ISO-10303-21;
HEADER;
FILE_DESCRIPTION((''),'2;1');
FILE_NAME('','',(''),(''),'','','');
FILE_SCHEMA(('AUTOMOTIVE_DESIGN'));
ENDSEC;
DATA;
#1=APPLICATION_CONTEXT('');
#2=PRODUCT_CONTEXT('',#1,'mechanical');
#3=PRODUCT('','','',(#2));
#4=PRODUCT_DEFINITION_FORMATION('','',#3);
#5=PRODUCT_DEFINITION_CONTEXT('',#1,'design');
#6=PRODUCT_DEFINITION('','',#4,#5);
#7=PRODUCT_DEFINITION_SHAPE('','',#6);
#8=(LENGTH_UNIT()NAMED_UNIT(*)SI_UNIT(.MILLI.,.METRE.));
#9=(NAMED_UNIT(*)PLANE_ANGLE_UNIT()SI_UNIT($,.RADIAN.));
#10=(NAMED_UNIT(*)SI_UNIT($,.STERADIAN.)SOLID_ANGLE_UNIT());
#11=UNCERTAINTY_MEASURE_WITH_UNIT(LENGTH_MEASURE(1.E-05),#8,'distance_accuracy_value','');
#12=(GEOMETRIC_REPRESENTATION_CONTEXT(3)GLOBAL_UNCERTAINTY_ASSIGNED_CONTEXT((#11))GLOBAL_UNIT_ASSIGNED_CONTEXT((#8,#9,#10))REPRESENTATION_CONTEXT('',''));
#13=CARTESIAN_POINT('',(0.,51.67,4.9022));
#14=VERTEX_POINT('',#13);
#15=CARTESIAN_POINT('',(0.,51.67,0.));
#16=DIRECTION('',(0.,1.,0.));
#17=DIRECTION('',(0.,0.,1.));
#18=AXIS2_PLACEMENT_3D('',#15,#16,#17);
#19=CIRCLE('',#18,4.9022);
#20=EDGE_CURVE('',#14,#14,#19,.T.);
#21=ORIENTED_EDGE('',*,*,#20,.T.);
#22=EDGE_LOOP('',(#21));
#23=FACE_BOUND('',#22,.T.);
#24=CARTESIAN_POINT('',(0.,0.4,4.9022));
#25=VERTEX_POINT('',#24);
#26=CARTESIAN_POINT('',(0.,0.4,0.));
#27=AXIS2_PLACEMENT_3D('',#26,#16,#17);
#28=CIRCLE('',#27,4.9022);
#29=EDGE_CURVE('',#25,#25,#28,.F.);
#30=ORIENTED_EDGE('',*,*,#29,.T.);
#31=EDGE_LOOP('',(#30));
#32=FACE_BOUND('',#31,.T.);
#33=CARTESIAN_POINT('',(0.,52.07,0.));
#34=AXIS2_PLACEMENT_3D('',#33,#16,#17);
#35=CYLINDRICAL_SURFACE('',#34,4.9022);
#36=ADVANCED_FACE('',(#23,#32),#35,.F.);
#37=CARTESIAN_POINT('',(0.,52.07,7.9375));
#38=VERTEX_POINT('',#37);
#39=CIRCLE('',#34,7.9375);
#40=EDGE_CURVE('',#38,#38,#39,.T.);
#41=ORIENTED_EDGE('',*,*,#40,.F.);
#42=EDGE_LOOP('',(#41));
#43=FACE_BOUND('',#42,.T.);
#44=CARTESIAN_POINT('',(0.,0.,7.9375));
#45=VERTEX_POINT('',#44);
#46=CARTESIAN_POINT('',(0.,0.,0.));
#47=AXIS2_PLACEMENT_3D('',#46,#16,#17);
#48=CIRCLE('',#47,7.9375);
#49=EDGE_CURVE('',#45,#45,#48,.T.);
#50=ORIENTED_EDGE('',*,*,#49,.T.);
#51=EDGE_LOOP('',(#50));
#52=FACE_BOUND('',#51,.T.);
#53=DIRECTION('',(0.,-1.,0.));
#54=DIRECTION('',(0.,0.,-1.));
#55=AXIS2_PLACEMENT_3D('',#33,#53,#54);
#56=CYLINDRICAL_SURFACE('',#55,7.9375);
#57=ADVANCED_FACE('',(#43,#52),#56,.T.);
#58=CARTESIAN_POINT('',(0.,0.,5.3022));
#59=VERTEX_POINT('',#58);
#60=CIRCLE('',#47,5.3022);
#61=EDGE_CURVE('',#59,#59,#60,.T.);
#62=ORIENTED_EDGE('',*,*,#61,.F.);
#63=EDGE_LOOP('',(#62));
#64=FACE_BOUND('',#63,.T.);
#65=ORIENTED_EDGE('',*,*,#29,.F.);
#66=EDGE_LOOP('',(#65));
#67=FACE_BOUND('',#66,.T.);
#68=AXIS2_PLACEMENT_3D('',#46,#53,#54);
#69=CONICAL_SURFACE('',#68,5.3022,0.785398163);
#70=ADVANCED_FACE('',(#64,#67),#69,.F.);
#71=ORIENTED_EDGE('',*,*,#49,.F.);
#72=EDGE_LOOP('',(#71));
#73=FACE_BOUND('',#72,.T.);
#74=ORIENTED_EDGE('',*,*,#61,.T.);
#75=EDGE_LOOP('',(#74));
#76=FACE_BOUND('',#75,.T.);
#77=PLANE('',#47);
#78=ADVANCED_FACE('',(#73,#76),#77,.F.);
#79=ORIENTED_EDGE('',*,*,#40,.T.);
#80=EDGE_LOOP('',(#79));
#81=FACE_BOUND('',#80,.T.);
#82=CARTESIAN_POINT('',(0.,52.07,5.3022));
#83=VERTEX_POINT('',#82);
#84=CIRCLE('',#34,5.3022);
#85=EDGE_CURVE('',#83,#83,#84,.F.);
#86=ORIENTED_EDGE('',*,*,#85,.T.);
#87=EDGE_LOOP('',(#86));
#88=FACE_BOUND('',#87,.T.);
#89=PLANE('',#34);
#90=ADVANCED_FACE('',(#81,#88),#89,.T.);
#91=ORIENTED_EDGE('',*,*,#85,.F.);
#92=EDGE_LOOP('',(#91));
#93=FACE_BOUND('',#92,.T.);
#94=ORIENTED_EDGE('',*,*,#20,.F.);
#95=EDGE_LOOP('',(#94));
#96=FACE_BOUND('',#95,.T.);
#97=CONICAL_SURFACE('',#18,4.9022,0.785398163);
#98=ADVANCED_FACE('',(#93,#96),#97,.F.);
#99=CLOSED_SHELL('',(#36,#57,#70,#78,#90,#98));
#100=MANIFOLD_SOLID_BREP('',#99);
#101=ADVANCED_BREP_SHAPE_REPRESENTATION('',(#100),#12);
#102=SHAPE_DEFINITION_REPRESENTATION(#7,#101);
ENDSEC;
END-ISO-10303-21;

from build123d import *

# Parameters (mm, degrees)
SKETCH1_R                = 7.9375
BOSS_EXTRUDE1_DEPTH      = 52.07
W_0_386_DIAMETER_HOLE1_D = 9.8044
CHAMFER1_SIZE            = 0.4


with BuildPart() as part:
    # Sketch1 → Boss-Extrude1 (new body)
    with BuildSketch(Plane(origin=(0, 0, 0), x_dir=(1, 0, 0), z_dir=(0, 1, 0))):
        with Locations(Location((0, 0, 0), (0, 0, 270))):
            Circle(SKETCH1_R)
    extrude(amount=BOSS_EXTRUDE1_DEPTH)

    # W (0.386) Diameter Hole1 (through all)
    with Locations(Plane(origin=(0, 52.07, 0), x_dir=(1, 0, 0), z_dir=(0, 1, 0))):
        with Locations((0, 0)):
            Hole(W_0_386_DIAMETER_HOLE1_D / 2)

    # Chamfer1
    chamfer1_edges = [part.edges().sort_by_distance(p)[0] for p in [
        (4.9022, 52.07, 0),
        (4.9022, 0, 0),
    ]]
    chamfer(chamfer1_edges, length=CHAMFER1_SIZE)


solid = part.part
